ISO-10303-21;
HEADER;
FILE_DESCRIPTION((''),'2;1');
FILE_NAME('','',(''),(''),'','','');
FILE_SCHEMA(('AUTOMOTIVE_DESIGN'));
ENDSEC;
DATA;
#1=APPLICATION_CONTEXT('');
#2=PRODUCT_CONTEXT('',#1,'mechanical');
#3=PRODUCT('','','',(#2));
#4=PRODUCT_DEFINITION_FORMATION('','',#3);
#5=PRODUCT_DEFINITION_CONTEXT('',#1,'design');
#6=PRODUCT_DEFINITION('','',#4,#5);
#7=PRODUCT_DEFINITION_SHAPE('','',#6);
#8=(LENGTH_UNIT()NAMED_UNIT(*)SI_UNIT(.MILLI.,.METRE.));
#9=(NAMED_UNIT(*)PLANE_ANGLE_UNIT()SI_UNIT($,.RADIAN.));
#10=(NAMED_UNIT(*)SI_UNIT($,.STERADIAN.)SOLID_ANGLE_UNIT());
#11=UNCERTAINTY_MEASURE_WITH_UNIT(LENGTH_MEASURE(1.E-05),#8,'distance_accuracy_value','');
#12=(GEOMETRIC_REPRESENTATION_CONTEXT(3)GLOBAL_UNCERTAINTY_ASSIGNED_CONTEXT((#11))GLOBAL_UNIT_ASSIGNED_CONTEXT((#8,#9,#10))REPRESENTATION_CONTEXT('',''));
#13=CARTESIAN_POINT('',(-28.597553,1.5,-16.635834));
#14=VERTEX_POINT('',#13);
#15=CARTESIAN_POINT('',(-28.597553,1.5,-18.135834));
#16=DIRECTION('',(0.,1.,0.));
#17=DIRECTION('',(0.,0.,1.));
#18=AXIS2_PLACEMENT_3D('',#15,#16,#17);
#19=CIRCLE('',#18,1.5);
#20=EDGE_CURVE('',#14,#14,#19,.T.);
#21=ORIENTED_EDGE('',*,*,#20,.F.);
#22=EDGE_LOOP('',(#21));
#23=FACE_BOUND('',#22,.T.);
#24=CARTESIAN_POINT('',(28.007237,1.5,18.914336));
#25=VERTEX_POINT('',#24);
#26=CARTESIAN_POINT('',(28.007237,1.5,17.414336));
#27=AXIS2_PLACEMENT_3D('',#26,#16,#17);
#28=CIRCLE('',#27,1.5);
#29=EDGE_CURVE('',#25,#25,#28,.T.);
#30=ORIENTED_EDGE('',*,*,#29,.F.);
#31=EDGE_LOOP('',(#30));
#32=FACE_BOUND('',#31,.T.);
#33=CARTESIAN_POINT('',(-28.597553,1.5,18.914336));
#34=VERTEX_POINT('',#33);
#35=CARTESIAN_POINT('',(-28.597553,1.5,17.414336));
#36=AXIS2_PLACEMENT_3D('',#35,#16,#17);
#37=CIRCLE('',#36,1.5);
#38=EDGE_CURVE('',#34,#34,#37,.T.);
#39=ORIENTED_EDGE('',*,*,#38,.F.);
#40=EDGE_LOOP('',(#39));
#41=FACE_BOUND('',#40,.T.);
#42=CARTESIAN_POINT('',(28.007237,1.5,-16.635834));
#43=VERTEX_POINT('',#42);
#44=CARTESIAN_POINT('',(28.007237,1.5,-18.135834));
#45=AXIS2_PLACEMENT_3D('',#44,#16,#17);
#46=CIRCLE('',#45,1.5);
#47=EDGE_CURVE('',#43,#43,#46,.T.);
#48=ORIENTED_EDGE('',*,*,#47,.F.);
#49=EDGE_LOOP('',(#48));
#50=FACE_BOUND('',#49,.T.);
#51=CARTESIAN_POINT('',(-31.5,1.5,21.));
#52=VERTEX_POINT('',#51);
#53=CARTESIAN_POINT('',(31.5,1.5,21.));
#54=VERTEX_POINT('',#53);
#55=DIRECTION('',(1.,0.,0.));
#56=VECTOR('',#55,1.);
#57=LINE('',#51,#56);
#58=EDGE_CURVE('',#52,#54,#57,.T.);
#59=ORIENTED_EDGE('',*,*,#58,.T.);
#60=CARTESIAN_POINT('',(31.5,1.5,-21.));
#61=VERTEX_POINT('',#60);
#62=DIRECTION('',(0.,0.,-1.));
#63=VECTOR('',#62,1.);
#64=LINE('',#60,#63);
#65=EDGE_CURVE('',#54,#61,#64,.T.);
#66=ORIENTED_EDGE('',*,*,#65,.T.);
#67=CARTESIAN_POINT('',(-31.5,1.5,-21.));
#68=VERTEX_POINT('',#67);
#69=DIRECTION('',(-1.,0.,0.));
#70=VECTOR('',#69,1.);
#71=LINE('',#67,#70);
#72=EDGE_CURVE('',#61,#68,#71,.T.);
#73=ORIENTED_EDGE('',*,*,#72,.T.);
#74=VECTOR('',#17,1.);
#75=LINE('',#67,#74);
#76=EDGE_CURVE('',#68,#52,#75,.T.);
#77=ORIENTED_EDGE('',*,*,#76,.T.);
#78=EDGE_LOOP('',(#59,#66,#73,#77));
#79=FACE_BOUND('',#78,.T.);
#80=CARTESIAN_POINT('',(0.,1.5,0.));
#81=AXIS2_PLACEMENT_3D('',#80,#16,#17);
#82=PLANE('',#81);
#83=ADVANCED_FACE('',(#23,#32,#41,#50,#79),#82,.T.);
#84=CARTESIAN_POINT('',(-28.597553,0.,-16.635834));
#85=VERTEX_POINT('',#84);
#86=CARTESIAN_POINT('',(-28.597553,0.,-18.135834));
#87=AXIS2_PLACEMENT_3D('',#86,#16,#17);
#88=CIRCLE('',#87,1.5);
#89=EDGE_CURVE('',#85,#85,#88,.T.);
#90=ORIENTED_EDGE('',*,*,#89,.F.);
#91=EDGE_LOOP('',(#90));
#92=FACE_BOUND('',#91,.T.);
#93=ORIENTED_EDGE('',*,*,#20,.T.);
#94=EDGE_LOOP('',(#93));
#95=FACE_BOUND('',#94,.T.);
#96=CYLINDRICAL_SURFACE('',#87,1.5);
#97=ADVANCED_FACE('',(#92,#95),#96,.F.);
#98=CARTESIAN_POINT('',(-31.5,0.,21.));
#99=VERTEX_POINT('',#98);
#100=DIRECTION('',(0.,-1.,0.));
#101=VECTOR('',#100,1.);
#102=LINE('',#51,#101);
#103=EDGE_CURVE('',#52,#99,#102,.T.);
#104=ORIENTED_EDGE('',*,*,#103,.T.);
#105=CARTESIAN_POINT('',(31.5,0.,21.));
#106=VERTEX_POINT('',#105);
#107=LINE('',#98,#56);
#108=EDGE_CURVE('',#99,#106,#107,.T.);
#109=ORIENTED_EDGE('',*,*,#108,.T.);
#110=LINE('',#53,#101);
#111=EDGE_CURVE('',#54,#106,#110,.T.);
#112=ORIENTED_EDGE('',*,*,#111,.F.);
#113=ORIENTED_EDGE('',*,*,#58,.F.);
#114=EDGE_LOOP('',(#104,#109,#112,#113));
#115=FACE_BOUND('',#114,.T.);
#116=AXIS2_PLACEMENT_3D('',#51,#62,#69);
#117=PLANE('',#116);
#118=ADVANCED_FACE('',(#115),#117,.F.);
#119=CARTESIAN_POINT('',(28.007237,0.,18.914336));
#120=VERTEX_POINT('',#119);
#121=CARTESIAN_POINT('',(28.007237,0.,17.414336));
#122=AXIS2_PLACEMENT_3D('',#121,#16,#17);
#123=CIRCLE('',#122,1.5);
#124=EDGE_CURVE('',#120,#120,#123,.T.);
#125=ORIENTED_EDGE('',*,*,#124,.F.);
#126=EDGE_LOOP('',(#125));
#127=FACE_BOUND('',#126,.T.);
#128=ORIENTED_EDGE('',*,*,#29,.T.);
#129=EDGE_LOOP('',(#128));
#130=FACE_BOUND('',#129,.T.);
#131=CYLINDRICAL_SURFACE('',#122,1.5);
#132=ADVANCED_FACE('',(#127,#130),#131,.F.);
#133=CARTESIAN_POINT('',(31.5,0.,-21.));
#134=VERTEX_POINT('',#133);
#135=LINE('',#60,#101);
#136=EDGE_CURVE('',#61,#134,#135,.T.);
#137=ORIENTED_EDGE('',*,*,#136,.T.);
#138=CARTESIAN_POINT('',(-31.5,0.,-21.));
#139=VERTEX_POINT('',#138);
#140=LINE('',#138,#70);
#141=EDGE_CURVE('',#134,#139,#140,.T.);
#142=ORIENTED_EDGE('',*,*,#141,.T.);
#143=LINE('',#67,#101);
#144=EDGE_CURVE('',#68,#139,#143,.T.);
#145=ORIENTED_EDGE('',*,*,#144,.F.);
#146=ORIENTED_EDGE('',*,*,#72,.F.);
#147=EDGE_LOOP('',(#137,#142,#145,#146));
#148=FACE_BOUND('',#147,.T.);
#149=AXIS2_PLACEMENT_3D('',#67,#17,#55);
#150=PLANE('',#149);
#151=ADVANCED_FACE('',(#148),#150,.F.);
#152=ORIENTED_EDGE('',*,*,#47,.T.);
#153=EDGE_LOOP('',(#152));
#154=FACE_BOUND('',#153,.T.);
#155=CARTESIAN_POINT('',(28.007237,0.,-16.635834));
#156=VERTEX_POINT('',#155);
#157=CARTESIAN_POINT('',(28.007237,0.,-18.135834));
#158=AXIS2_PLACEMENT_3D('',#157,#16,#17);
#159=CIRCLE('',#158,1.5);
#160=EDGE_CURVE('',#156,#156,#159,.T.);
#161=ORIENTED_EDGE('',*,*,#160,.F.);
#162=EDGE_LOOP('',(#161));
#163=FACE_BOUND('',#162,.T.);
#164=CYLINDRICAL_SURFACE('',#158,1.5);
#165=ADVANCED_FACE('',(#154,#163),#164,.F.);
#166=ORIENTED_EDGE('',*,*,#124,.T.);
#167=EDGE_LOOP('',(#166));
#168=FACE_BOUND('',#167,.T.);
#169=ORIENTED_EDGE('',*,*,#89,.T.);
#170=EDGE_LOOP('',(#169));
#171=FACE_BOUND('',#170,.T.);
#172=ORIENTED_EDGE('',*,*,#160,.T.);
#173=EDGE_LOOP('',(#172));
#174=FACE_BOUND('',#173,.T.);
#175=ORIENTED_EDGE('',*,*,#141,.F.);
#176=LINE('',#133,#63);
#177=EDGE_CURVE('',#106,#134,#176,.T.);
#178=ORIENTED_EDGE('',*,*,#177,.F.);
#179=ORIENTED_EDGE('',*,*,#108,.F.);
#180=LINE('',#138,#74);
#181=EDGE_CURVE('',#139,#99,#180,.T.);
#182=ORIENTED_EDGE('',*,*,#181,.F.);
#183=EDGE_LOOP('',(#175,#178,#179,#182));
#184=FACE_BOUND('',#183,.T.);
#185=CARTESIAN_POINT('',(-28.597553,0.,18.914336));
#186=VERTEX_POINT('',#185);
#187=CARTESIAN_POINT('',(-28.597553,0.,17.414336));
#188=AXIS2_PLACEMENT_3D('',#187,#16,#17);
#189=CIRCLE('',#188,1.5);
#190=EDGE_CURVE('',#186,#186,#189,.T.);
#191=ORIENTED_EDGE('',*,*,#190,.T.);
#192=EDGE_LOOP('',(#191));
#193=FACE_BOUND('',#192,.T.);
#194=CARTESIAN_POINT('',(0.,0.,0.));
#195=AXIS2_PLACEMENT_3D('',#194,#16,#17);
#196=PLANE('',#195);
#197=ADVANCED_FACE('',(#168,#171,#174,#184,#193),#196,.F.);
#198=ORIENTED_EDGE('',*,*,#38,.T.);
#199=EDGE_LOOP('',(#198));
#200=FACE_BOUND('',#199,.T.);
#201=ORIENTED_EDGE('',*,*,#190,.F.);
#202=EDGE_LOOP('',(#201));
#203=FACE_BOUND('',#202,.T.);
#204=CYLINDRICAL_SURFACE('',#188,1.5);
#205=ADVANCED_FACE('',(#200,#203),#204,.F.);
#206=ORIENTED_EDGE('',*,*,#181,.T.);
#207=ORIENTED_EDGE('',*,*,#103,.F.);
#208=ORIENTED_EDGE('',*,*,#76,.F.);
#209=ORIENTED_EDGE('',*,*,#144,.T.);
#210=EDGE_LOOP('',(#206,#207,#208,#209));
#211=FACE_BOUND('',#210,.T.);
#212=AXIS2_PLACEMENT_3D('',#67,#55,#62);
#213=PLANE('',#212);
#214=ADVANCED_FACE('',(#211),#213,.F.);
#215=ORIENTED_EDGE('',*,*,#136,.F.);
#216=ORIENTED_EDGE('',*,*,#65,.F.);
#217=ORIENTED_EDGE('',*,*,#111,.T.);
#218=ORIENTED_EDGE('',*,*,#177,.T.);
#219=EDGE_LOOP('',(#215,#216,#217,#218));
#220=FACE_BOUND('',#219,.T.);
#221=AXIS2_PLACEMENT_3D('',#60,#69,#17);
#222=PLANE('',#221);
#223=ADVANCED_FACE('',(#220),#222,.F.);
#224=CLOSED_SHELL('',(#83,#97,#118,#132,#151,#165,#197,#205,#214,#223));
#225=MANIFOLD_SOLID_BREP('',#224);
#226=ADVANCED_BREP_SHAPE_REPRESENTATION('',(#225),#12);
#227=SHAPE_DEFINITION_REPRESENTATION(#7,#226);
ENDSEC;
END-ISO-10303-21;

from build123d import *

# Parameters (mm, degrees)
SKETCH1_W           = 63
SKETCH1_H           = 42
BOSS_EXTRUDE1_DEPTH = 1.5
SKETCH2_R           = 1.5
CUT_EXTRUDE1_DEPTH  = 38.887992821


with BuildPart() as part:
    # Sketch1 → Boss-Extrude1 (new body)
    with BuildSketch(Plane(origin=(0, 0, 0), x_dir=(1, 0, 0), z_dir=(0, 1, 0))):
        Rectangle(SKETCH1_W, SKETCH1_H)
    extrude(amount=BOSS_EXTRUDE1_DEPTH)

    # Sketch2 → Cut-Extrude1 (cut, through all)
    with BuildSketch(Plane(origin=(0, 1.5, 0), x_dir=(1, 0, 0), z_dir=(0, 1, 0))):
        with Locations(Location((-28.597553498, 18.135833812, 0), (0, 0, 270))):
            Circle(SKETCH2_R)
        with Locations(Location((28.007237026, 18.135833812, 0), (0, 0, 270))):
            Circle(SKETCH2_R)
        with Locations(Location((28.007237026, -17.414335903, 0), (0, 0, 270))):
            Circle(SKETCH2_R)
        with Locations(Location((-28.597553498, -17.414335903, 0), (0, 0, 270))):
            Circle(SKETCH2_R)
    extrude(amount=-CUT_EXTRUDE1_DEPTH, mode=Mode.SUBTRACT)


solid = part.part
